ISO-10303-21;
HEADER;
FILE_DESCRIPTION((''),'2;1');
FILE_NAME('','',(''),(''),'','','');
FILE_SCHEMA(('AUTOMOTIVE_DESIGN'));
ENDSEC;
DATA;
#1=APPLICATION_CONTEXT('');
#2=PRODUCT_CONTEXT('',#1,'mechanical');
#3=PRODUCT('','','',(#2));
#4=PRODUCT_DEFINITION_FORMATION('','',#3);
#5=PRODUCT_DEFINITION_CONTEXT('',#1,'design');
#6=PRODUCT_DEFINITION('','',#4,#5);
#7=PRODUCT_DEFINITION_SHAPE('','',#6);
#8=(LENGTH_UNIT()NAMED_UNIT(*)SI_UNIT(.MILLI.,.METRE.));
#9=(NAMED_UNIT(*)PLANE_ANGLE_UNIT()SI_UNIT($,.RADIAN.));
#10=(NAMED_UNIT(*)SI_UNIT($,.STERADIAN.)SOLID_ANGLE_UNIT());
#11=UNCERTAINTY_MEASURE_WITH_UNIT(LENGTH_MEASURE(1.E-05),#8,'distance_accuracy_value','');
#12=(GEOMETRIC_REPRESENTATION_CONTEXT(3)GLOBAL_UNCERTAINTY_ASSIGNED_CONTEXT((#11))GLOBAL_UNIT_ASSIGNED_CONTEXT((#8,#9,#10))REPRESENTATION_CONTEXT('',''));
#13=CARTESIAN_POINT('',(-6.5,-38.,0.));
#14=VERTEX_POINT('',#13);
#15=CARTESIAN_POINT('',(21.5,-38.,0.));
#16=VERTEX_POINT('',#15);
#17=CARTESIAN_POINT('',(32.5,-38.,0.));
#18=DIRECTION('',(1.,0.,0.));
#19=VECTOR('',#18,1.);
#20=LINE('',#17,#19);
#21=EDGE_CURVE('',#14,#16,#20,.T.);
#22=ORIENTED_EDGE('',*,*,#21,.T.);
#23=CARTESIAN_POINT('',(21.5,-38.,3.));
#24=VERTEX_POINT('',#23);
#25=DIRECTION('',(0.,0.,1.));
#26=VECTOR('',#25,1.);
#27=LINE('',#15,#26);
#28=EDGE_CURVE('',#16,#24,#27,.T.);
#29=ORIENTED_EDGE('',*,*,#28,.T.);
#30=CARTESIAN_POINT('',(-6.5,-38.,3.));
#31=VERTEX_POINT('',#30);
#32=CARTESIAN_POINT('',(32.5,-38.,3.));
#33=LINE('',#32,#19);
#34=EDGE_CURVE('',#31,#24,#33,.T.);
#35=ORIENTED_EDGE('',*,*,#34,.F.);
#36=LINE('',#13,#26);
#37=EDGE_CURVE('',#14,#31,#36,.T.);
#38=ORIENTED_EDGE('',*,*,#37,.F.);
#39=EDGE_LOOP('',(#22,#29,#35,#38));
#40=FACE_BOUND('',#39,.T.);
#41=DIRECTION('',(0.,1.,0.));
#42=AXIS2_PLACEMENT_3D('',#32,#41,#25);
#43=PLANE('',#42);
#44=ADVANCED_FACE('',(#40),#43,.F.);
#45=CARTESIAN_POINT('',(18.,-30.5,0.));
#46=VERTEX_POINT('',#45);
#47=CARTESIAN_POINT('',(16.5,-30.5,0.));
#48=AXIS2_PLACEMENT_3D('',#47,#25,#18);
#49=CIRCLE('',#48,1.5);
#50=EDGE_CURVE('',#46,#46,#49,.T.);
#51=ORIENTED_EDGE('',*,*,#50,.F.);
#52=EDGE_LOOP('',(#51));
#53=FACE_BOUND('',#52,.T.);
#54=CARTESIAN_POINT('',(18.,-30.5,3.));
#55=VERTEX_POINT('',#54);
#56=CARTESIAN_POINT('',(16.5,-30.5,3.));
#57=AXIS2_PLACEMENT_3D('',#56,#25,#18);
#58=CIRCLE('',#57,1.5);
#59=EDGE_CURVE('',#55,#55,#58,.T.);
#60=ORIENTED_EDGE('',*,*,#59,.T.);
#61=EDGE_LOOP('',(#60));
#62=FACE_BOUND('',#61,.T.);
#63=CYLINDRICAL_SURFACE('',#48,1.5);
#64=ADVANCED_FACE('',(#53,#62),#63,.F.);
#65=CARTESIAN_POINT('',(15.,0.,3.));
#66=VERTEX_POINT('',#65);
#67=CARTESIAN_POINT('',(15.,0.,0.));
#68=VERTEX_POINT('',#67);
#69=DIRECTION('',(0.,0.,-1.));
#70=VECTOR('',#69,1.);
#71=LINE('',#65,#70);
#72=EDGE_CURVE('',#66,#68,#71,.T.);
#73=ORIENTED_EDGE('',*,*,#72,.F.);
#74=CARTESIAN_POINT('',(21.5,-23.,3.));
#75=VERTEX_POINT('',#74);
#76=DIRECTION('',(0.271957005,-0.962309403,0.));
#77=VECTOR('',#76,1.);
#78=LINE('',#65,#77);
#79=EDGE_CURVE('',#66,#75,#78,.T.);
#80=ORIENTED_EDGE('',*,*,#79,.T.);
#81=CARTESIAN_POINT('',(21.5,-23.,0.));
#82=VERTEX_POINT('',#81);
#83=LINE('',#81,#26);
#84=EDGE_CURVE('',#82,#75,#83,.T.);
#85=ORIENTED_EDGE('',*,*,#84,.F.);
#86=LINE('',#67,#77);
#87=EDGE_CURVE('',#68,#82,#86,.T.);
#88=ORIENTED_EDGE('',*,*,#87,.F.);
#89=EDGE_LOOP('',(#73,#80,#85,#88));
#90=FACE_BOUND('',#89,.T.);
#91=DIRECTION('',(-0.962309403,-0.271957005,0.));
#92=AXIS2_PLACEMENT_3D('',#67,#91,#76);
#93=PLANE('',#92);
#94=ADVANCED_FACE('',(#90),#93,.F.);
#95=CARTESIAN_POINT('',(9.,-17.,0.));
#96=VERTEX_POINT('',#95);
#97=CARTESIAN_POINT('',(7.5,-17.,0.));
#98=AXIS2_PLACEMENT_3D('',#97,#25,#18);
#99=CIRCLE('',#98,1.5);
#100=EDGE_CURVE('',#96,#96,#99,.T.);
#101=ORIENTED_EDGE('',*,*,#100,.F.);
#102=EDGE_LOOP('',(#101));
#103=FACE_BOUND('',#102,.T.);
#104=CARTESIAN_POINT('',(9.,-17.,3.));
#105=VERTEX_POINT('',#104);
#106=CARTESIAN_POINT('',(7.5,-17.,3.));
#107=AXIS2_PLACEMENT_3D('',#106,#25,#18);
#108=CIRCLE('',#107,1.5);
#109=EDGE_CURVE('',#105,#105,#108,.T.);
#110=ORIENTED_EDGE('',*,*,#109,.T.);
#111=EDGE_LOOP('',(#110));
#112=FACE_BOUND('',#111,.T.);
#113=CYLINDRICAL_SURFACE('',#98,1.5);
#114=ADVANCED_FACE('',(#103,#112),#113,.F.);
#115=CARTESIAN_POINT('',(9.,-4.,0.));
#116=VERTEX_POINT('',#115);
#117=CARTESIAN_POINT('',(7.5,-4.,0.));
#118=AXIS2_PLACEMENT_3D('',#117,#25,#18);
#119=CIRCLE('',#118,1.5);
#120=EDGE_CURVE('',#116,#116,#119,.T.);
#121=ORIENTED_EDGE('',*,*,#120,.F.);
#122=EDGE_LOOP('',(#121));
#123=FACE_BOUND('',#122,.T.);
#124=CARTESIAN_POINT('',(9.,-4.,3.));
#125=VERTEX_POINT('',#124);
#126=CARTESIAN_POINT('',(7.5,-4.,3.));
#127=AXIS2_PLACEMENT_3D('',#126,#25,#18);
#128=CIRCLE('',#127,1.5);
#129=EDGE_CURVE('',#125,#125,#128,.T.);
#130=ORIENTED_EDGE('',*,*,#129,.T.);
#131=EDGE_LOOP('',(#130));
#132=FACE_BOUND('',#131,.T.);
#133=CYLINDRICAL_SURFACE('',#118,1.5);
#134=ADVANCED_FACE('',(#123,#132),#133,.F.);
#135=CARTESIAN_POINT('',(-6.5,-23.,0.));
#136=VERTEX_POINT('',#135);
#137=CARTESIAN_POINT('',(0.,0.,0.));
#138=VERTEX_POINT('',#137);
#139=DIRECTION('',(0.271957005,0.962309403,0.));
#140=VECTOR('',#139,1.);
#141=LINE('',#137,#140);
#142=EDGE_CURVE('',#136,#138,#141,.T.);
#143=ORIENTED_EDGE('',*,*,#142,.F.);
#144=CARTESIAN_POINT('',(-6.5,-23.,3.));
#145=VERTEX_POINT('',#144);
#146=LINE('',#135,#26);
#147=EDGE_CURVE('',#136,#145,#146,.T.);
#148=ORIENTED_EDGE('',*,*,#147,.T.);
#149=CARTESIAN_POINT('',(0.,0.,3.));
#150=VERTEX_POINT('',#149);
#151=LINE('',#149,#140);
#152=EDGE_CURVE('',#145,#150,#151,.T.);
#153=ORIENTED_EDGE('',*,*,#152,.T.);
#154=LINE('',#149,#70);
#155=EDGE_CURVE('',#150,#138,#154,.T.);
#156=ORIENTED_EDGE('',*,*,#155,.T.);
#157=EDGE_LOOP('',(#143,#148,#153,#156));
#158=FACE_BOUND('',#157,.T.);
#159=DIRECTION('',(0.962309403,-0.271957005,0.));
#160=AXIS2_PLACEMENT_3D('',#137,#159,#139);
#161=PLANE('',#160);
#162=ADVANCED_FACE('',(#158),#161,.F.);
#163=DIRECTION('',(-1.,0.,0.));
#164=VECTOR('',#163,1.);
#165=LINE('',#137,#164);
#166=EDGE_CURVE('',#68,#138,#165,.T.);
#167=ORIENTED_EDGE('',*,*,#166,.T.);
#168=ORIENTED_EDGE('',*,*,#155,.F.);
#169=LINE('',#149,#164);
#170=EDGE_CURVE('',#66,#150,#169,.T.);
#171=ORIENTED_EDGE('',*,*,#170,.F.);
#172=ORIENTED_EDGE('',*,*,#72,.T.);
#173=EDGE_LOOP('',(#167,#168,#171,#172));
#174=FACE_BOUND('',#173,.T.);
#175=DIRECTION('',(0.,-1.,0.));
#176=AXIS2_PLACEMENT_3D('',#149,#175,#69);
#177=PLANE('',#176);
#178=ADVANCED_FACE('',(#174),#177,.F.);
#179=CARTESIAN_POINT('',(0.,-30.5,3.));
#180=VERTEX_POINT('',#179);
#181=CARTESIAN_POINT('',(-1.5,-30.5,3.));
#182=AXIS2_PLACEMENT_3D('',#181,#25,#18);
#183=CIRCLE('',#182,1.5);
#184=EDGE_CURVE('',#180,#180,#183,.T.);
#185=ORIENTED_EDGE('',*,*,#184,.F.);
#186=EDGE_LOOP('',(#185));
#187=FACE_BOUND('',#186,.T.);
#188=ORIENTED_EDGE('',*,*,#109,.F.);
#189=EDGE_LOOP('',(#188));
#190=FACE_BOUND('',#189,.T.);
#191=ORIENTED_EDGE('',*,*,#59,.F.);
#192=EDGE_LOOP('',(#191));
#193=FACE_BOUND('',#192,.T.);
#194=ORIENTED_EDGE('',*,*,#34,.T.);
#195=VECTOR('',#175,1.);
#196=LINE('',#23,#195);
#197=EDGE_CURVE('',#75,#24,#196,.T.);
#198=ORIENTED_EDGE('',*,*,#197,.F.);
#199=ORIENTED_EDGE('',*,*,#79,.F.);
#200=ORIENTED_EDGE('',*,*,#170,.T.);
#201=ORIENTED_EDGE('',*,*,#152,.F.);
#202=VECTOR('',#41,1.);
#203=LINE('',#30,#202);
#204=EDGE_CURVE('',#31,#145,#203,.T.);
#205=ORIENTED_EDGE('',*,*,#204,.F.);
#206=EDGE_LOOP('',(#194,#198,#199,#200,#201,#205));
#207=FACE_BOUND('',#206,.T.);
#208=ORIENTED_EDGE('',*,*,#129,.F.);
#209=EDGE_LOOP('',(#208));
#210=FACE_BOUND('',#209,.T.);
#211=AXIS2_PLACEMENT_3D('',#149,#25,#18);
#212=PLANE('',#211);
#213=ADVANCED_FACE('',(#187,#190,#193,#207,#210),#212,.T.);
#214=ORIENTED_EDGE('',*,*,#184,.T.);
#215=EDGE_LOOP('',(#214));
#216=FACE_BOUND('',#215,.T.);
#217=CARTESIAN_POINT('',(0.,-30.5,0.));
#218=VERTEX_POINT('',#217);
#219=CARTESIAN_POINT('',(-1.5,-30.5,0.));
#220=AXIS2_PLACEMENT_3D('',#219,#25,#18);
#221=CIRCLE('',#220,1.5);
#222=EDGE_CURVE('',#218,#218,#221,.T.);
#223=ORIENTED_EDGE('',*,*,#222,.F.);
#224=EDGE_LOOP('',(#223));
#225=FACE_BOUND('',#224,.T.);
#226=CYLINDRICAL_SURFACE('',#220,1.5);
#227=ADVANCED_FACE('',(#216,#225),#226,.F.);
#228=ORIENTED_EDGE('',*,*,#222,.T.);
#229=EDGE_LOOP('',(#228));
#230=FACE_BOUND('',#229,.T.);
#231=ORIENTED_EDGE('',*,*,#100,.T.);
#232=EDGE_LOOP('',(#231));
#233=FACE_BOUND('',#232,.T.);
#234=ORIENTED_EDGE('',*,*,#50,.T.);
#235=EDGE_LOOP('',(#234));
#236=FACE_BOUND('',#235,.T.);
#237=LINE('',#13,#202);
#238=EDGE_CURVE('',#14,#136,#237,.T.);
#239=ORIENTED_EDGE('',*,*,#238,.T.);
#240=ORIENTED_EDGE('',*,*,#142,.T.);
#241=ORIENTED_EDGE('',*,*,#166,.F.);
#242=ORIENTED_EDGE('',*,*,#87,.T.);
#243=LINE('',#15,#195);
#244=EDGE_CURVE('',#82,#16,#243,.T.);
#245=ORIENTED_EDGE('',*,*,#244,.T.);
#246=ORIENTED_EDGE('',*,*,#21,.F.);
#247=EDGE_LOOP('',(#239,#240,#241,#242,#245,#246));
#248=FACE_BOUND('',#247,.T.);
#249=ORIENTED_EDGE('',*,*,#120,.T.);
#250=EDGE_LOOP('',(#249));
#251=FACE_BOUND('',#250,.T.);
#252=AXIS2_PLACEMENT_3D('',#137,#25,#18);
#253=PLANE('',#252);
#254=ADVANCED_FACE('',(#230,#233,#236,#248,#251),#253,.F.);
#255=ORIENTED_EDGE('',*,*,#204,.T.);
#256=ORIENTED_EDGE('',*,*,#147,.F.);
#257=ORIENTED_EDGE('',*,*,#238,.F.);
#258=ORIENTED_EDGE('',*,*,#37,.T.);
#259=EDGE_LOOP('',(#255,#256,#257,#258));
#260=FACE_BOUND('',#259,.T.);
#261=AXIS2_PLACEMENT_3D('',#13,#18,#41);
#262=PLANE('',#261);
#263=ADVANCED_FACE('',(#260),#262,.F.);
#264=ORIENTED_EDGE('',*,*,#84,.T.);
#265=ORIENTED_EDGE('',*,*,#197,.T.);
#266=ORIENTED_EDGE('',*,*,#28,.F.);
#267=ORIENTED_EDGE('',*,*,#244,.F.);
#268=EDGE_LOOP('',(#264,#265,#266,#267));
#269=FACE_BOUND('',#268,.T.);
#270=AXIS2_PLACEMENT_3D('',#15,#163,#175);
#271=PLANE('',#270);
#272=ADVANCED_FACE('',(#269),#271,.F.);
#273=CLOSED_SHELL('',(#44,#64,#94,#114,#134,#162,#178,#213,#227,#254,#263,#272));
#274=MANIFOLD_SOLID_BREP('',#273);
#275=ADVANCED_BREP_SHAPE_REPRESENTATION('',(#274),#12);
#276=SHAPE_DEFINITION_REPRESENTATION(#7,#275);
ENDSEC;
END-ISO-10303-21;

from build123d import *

# Parameters (mm, degrees)
EXTRUDE_1_DEPTH     = 3
SKETCH_2_R          = 1.5
CUT_EXTRUDE_1_DEPTH = 3
SKETCH_3_W          = 11
SKETCH_3_H          = 29.457142857
CUT_EXTRUDE_2_DEPTH = 3
SKETCH_4_W          = 11
SKETCH_4_H          = 29.457142857
CUT_EXTRUDE_3_DEPTH = 3
CUT_EXTRUDE_4_DEPTH = 3


with BuildPart() as part:
    # 草图1 → 凸台-拉伸1 (new body)
    with BuildSketch(Plane.XY):
        Polygon((0, 0), (15, 0), (32.5, -23), (32.5, -38), (-17.5, -38), (-17.5, -23), align=None)
    extrude(amount=EXTRUDE_1_DEPTH)

    # 草图2 → 切除-拉伸1 (cut)
    with BuildSketch(Plane.XY.offset(3)):
        with Locations((7.5, -4)):
            Circle(SKETCH_2_R)
        with Locations((7.5, -17)):
            Circle(SKETCH_2_R)
        with Locations((28.5, -30.5)):
            Circle(SKETCH_2_R)
        with Locations((16.5, -30.5)):
            Circle(SKETCH_2_R)
        with Locations((-1.5, -30.5)):
            Circle(SKETCH_2_R)
        with Locations((-13.5, -30.5)):
            Circle(SKETCH_2_R)
    extrude(amount=-CUT_EXTRUDE_1_DEPTH, mode=Mode.SUBTRACT)

    # 草图3 → 切除-拉伸2 (cut)
    with BuildSketch(Plane.XY.offset(3)):
        with Locations((27, -23.271428571)):
            Rectangle(SKETCH_3_W, SKETCH_3_H)
    extrude(amount=-CUT_EXTRUDE_2_DEPTH, mode=Mode.SUBTRACT)

    # 草图4 → 切除-拉伸3 (cut)
    with BuildSketch(Plane.XY.offset(3)):
        with Locations((-12, -23.271428571)):
            Rectangle(SKETCH_4_W, SKETCH_4_H)
    extrude(amount=-CUT_EXTRUDE_3_DEPTH, mode=Mode.SUBTRACT)

    # 草图5 → 切除-拉伸4 (cut)
    with BuildSketch(Plane.XY.offset(3)):
        Polygon((-6.5, -23), (-6.5, -8.542857143), (0, 0), align=None)
        Polygon((21.5, -23), (21.5, -8.542857143), (15, 0), align=None)
    extrude(amount=-CUT_EXTRUDE_4_DEPTH, mode=Mode.SUBTRACT)


solid = part.part
